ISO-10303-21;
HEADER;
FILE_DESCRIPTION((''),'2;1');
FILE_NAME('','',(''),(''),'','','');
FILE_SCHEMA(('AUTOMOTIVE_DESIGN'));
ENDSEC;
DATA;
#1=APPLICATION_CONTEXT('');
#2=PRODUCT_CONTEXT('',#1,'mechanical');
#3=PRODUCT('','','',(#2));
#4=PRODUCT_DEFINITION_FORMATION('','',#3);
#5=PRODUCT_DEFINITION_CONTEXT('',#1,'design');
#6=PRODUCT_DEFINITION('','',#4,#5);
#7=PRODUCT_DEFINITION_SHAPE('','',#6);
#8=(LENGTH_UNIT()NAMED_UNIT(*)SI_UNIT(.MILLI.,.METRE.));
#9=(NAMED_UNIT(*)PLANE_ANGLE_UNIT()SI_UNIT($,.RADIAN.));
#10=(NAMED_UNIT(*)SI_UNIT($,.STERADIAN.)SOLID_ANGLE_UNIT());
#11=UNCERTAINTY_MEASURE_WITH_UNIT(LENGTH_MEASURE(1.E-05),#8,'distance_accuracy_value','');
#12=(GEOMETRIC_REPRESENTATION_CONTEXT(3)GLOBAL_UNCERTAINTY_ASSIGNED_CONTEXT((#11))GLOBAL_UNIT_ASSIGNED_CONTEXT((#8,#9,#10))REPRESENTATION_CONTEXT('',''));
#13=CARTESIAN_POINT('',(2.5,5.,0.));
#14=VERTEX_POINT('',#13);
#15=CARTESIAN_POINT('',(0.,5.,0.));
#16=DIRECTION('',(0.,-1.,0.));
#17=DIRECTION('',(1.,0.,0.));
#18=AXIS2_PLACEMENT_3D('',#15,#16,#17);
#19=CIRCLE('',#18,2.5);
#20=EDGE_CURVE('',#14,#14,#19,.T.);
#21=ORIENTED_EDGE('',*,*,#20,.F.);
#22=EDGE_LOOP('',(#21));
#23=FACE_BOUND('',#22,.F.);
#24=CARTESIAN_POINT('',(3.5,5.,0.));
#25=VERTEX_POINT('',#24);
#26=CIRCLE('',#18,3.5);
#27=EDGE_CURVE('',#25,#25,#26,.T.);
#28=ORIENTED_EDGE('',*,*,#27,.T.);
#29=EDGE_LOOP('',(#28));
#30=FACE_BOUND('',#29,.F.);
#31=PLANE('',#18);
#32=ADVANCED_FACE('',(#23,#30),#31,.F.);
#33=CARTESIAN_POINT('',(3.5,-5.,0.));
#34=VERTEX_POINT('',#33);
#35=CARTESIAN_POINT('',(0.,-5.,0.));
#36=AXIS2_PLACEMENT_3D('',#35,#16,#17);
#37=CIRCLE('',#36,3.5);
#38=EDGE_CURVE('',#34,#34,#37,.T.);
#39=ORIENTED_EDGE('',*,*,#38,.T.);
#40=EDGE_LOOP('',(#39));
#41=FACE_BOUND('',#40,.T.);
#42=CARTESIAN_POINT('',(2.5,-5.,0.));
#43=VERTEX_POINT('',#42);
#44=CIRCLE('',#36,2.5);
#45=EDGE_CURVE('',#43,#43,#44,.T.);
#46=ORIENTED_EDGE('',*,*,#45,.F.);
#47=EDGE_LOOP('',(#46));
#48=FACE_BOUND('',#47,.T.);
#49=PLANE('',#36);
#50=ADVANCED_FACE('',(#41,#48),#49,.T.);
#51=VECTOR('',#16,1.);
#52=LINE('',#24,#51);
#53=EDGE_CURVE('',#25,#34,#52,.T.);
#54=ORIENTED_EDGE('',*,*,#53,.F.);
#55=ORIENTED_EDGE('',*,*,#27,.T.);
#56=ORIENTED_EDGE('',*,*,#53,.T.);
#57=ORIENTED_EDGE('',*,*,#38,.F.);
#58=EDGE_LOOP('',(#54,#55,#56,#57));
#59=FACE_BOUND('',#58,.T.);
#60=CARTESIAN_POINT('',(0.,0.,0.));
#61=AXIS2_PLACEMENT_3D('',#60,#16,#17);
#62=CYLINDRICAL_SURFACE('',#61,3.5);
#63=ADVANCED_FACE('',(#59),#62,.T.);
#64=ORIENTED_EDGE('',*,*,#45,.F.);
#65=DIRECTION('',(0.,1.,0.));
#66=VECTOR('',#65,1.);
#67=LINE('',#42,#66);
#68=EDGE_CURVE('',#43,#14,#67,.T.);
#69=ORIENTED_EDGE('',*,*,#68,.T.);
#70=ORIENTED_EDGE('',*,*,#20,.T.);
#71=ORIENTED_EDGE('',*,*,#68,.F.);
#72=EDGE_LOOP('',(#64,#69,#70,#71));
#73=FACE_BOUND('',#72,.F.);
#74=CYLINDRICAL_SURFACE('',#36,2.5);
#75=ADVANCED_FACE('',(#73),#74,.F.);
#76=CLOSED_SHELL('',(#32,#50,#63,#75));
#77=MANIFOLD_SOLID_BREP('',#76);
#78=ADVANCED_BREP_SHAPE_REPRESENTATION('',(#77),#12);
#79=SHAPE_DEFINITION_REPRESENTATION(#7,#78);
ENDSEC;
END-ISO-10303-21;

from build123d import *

# Parameters (mm, degrees)
F0_R     = 3.5
F1_DEPTH = 5
F2_R     = 2.5
F3_DEPTH = 10.001


with BuildPart() as f1:
    # F0 (on Front) → F1 (new body, symmetric)
    with BuildSketch(Plane.XZ):
        Circle(F0_R)
    extrude(amount=F1_DEPTH, both=True)

    # F2 (on face) → F3 (cut, through all)
    with BuildSketch(Plane.XZ.offset(5)):
        Circle(F2_R)
    extrude(amount=-F3_DEPTH, mode=Mode.SUBTRACT)


solid = f1.part
